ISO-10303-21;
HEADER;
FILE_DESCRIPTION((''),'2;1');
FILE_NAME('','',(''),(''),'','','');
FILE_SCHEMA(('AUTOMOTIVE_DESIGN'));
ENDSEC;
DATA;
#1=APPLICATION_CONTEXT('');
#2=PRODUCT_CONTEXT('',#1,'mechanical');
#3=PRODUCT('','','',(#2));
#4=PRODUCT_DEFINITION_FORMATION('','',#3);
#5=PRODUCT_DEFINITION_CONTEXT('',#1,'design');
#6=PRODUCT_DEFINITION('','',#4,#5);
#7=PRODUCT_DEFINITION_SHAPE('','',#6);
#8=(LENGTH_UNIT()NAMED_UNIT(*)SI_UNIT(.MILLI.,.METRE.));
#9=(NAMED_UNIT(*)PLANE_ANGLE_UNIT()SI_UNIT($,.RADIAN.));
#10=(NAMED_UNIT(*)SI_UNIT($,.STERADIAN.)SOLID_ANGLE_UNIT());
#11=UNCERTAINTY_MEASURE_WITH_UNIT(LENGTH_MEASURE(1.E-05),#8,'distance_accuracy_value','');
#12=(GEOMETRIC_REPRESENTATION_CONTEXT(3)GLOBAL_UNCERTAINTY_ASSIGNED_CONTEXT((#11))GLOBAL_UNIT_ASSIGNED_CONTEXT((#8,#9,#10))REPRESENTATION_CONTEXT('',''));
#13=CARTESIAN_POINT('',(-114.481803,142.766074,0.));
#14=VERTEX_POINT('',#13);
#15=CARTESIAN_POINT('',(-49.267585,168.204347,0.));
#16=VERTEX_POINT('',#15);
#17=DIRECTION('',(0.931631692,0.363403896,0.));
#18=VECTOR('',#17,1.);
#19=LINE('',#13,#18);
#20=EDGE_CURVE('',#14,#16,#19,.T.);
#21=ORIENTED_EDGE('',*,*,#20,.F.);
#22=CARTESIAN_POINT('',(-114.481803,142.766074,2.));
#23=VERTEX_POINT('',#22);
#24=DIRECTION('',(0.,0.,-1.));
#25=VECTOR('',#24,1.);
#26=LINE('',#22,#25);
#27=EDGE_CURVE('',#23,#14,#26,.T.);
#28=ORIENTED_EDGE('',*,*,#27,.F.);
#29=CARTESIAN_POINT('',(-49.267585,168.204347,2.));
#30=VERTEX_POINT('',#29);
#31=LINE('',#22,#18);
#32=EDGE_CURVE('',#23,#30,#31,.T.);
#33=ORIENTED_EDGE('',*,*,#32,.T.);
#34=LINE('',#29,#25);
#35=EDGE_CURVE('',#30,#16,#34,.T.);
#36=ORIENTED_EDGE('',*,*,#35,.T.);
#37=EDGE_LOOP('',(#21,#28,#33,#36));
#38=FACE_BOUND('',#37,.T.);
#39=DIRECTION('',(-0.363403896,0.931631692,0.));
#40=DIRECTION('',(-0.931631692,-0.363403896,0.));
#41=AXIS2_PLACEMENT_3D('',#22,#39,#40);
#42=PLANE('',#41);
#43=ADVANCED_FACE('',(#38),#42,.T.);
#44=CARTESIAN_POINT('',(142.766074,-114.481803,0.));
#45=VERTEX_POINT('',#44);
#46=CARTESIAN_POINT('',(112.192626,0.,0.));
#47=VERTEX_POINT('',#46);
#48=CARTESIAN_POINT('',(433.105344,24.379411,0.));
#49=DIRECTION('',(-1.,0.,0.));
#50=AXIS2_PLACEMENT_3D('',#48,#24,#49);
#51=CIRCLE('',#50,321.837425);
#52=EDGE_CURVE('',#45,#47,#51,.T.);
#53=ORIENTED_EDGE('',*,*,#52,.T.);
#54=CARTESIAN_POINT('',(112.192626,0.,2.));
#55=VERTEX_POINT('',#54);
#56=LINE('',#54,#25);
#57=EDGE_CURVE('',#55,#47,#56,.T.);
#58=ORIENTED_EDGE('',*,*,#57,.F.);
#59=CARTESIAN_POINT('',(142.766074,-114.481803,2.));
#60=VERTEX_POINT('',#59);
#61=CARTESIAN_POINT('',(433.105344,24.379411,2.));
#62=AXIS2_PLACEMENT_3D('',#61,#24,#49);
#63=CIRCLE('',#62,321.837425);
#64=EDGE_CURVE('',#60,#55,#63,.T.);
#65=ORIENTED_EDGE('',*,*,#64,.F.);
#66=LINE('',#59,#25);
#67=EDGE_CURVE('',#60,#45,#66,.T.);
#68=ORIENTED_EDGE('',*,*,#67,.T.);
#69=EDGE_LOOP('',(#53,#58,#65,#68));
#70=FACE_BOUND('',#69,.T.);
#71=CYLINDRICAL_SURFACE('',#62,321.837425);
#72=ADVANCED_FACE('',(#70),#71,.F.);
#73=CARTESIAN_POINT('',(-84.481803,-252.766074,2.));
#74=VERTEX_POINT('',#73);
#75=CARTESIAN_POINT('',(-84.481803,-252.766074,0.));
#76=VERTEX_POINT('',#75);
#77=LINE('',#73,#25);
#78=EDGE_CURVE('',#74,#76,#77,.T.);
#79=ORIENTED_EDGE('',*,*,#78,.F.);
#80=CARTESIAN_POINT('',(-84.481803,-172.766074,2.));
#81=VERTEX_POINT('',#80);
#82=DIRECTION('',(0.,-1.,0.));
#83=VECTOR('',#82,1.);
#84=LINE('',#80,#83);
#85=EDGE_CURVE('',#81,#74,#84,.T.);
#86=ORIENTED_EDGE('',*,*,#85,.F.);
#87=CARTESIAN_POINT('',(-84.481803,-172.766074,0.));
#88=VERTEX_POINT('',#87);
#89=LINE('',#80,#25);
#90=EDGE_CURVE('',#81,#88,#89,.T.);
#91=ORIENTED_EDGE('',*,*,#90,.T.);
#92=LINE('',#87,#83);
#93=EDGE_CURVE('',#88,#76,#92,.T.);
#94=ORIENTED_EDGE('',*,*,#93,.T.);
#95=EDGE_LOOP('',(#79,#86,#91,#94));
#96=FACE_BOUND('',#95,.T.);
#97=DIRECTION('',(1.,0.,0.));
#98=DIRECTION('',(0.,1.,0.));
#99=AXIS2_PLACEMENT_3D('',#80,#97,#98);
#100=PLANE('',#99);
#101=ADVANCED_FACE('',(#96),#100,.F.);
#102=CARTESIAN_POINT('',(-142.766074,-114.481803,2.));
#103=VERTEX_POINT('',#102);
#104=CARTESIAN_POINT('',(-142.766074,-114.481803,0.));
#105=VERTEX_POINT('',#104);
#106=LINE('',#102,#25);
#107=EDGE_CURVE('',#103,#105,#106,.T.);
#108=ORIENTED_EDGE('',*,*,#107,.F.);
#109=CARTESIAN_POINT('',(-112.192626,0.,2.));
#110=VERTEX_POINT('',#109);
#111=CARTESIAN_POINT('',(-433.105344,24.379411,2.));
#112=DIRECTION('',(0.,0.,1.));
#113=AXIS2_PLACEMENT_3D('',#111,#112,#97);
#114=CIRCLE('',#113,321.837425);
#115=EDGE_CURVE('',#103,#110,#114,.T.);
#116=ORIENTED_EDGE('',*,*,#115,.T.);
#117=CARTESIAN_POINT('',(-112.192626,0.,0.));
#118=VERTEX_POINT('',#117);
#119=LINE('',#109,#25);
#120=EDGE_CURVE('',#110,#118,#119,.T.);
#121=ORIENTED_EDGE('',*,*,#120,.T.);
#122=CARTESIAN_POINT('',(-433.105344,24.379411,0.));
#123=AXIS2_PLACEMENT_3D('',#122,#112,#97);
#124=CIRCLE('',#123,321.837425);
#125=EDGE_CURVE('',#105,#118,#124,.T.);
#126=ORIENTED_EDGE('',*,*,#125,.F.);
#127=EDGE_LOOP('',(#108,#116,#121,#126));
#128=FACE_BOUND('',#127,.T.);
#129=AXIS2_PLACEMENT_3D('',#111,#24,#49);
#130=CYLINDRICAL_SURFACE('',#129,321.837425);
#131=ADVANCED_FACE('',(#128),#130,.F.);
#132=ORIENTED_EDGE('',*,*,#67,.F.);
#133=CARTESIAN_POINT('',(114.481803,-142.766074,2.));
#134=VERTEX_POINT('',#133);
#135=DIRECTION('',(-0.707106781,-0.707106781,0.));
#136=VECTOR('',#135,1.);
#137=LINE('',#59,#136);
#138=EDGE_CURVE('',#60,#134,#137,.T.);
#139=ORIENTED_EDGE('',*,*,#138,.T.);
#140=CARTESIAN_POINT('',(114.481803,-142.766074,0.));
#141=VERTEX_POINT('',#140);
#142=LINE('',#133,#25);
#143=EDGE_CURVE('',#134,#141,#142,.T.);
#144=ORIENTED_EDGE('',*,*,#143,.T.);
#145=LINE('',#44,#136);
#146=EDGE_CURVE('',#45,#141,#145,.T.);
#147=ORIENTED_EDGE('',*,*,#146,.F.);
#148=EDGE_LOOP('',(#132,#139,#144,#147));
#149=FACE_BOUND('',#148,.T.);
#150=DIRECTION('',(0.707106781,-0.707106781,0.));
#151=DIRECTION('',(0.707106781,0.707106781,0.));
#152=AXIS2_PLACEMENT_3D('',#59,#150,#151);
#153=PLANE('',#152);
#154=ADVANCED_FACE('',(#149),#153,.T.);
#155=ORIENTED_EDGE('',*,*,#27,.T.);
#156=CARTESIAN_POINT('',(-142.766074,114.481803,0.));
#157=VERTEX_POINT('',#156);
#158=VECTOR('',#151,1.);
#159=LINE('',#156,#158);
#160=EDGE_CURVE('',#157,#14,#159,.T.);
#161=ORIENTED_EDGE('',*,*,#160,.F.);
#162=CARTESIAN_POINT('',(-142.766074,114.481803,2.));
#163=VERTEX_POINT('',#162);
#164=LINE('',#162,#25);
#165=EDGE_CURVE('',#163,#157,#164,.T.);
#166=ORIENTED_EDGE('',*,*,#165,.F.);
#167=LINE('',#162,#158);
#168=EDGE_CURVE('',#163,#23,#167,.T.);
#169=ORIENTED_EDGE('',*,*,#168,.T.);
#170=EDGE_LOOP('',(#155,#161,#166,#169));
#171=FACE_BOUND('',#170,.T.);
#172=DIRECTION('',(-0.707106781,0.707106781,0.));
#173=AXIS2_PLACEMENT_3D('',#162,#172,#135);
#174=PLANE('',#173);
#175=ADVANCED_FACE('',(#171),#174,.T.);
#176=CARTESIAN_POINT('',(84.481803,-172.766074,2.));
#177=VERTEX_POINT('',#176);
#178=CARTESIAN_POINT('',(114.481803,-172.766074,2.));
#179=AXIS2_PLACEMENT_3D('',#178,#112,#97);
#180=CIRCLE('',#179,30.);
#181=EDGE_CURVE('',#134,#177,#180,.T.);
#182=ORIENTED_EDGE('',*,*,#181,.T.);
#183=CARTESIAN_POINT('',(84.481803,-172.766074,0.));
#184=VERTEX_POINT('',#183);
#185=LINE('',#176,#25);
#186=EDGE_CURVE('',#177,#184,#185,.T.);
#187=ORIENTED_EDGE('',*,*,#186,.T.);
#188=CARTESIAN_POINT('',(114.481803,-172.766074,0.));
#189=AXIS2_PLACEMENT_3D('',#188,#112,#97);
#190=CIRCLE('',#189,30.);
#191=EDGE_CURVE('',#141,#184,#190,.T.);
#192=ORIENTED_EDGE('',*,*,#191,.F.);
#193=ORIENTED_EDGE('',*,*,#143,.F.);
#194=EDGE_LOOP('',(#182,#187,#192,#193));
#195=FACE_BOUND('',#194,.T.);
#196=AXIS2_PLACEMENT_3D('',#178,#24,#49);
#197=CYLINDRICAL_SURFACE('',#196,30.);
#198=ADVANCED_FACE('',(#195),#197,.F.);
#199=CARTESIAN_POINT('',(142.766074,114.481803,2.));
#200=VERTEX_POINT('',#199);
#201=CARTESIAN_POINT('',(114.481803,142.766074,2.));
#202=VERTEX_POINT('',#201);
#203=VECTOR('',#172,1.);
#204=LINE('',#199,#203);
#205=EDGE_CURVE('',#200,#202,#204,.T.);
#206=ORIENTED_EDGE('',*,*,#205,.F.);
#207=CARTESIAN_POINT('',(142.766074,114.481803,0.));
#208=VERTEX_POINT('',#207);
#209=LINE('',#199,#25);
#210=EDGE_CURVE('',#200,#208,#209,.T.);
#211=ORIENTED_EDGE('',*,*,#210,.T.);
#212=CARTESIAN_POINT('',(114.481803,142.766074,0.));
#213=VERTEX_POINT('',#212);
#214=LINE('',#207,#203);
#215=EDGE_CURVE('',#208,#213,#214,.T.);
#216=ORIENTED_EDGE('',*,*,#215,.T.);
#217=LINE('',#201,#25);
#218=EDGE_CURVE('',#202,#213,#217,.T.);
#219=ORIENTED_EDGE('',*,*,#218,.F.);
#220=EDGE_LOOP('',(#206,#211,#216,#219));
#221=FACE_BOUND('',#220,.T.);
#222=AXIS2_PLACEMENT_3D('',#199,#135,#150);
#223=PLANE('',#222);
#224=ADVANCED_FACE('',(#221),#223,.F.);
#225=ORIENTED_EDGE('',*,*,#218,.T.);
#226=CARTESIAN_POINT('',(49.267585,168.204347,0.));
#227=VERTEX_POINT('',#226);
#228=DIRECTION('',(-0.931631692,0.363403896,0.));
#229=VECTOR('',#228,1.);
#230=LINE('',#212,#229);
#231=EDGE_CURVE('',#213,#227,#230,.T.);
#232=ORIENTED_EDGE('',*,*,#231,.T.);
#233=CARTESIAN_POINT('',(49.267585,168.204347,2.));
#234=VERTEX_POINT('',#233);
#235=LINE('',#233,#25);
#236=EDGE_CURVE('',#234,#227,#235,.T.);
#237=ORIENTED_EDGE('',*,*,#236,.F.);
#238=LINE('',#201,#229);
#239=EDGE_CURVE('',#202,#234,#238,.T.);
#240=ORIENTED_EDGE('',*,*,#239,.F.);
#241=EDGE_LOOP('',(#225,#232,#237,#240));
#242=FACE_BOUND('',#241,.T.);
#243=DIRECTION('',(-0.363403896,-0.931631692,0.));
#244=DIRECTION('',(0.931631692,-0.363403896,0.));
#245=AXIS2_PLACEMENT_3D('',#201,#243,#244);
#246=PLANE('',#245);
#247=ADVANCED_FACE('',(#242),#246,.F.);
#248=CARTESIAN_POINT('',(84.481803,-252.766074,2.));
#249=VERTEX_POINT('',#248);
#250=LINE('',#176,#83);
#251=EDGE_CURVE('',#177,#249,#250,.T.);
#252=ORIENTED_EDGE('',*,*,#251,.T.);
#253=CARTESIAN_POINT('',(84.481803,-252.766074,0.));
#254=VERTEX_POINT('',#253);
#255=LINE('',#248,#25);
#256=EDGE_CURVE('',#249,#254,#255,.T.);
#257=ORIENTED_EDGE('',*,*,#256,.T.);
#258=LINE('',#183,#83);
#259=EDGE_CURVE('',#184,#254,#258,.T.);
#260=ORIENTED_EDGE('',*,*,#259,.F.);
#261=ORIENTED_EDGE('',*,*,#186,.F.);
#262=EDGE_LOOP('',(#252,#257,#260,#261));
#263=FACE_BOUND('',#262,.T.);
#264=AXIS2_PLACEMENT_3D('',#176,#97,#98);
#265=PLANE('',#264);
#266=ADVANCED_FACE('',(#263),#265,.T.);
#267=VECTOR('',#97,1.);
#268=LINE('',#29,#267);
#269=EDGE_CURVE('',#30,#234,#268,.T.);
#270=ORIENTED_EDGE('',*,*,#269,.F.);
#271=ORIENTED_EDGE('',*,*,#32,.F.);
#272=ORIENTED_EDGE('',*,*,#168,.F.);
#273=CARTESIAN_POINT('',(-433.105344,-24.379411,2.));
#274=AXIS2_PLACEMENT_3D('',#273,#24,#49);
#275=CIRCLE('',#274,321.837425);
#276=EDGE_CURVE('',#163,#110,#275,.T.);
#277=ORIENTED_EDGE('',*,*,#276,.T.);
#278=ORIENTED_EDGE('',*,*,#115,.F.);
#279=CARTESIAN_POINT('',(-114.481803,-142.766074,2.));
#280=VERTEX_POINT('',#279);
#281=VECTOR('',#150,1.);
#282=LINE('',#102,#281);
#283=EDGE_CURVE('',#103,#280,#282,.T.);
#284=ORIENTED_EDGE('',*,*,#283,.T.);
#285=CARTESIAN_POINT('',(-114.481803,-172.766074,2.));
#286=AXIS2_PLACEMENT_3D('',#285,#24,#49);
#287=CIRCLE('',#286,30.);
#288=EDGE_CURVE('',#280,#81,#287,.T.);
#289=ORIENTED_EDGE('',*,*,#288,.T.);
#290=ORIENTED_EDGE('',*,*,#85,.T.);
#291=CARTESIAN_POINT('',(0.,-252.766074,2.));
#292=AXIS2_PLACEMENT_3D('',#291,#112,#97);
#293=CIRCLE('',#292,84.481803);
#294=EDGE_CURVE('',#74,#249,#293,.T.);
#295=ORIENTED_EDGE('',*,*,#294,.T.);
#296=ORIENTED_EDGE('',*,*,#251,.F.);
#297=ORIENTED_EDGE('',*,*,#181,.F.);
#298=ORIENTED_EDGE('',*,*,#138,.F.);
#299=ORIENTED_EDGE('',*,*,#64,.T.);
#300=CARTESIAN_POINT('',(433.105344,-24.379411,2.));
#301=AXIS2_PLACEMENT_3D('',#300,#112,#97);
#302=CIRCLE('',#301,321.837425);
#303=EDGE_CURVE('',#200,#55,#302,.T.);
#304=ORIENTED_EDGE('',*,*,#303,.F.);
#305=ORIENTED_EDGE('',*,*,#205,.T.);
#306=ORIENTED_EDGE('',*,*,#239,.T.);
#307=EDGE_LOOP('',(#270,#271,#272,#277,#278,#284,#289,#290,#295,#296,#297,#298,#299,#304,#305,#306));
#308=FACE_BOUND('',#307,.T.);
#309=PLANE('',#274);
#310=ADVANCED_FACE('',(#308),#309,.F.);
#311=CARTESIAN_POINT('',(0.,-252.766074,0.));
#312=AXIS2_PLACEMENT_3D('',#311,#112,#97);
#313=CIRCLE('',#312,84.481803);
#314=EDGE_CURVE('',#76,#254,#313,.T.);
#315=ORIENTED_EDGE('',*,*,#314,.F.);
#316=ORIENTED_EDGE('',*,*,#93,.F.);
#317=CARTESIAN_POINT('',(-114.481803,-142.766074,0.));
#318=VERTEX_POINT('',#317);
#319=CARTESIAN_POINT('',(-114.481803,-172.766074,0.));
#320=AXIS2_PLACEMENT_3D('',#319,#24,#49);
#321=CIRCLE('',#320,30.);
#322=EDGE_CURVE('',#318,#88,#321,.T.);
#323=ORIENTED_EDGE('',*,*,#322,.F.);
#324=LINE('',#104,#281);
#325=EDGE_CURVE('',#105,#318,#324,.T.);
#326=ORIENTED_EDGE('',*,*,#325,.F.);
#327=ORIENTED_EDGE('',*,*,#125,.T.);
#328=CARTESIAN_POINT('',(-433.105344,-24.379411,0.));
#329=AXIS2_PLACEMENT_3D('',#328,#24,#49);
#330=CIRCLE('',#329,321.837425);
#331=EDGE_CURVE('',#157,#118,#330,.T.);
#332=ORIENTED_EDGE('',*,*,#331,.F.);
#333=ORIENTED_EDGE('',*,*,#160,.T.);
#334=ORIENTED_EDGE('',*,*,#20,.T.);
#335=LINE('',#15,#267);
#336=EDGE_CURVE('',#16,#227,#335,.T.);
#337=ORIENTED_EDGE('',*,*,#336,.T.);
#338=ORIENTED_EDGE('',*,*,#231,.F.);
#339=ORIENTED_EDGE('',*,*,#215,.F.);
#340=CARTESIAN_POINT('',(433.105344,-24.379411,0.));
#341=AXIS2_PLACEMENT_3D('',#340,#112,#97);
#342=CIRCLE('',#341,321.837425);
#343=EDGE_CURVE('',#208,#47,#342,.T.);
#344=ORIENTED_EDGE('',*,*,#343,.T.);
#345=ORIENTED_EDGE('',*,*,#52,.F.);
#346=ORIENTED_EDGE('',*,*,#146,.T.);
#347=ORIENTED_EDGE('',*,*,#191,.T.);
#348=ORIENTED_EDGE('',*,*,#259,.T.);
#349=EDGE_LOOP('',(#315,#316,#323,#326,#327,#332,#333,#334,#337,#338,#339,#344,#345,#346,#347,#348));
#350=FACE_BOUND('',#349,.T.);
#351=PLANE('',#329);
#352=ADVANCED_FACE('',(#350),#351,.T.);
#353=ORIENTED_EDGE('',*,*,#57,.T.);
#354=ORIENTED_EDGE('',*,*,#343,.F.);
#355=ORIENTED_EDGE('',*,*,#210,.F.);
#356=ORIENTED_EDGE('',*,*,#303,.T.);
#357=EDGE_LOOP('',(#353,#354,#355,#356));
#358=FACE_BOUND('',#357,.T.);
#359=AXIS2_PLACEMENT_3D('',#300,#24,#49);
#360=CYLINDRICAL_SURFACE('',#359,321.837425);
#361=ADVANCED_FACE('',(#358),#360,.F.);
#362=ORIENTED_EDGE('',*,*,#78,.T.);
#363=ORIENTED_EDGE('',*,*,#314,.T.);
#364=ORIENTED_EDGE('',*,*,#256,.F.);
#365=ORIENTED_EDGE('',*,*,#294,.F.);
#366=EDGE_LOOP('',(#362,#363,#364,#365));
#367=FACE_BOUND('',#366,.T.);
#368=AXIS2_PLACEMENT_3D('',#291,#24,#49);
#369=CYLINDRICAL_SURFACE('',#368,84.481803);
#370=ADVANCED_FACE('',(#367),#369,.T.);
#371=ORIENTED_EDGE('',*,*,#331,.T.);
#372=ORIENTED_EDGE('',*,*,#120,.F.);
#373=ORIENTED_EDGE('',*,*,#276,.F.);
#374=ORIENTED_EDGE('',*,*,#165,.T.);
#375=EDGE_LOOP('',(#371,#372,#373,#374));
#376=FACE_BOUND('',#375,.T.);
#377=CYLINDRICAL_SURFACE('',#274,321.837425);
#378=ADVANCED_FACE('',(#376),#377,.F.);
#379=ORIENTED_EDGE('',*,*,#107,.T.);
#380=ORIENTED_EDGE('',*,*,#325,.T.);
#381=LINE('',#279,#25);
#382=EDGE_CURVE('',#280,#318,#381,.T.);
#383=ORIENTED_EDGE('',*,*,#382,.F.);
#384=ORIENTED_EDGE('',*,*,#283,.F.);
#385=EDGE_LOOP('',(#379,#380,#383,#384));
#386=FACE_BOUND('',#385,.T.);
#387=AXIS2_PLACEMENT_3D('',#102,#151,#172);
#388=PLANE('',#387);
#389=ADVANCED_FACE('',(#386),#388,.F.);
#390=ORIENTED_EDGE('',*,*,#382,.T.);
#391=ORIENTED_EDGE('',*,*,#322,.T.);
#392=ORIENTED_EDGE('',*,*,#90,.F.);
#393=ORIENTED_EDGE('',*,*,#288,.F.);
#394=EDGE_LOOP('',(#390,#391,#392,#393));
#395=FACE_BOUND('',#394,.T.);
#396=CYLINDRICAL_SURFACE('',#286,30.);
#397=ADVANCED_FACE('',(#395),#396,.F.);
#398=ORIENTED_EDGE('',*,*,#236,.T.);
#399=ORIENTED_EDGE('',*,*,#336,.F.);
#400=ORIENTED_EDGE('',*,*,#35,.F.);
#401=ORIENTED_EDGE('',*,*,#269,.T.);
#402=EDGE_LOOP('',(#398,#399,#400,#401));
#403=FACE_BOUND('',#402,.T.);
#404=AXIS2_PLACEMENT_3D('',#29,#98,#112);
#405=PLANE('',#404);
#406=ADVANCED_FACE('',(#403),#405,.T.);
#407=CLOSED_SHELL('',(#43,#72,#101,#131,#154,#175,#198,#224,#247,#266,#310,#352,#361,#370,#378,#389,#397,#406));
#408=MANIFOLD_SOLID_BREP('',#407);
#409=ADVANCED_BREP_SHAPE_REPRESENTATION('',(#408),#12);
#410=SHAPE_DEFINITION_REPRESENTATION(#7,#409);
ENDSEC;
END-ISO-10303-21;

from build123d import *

# Parameters (mm, degrees)
BOSS_EXTRUDE1_DEPTH = 2


with BuildPart() as part:
    # Sketch1 → Boss-Extrude1 (new body)
    with BuildSketch(Plane.XY):
        with BuildLine():
            Line((-142.766074481, 114.481803233), (-114.481803233, 142.766074481))
            Line((-114.481803233, 142.766074481), (-49.267584828, 168.204347178))
            Line((-49.267584828, 168.204347178), (49.267584828, 168.204347178))
            Line((49.267584828, 168.204347178), (114.481803233, 142.766074481))
            Line((114.481803233, 142.766074481), (142.766074481, 114.481803233))
            ThreePointArc((142.766074481, 114.481803233), (122.165206788, 58.660093881), (112.192625845, 0))
            ThreePointArc((112.192625845, 0), (122.165206788, -58.660093881), (142.766074481, -114.481803233))
            Line((142.766074481, -114.481803233), (114.481803233, -142.766074481))
            ThreePointArc((114.481803233, -142.766074481), (93.268599798, -151.552871045), (84.481803233, -172.766074481))
            Line((84.481803233, -172.766074481), (84.481803233, -252.766074481))
            ThreePointArc((84.481803233, -252.766074481), (0, -337.247877714), (-84.481803233, -252.766074481))
            Line((-84.481803233, -252.766074481), (-84.481803233, -172.766074481))
            ThreePointArc((-84.481803233, -172.766074481), (-93.268599798, -151.552871045), (-114.481803233, -142.766074481))
            Line((-114.481803233, -142.766074481), (-142.766074481, -114.481803233))
            ThreePointArc((-142.766074481, -114.481803233), (-122.165206788, -58.660093881), (-112.192625845, 0))
            ThreePointArc((-112.192625845, 0), (-122.165206788, 58.660093881), (-142.766074481, 114.481803233))
        make_face()
    extrude(amount=BOSS_EXTRUDE1_DEPTH)


solid = part.part
